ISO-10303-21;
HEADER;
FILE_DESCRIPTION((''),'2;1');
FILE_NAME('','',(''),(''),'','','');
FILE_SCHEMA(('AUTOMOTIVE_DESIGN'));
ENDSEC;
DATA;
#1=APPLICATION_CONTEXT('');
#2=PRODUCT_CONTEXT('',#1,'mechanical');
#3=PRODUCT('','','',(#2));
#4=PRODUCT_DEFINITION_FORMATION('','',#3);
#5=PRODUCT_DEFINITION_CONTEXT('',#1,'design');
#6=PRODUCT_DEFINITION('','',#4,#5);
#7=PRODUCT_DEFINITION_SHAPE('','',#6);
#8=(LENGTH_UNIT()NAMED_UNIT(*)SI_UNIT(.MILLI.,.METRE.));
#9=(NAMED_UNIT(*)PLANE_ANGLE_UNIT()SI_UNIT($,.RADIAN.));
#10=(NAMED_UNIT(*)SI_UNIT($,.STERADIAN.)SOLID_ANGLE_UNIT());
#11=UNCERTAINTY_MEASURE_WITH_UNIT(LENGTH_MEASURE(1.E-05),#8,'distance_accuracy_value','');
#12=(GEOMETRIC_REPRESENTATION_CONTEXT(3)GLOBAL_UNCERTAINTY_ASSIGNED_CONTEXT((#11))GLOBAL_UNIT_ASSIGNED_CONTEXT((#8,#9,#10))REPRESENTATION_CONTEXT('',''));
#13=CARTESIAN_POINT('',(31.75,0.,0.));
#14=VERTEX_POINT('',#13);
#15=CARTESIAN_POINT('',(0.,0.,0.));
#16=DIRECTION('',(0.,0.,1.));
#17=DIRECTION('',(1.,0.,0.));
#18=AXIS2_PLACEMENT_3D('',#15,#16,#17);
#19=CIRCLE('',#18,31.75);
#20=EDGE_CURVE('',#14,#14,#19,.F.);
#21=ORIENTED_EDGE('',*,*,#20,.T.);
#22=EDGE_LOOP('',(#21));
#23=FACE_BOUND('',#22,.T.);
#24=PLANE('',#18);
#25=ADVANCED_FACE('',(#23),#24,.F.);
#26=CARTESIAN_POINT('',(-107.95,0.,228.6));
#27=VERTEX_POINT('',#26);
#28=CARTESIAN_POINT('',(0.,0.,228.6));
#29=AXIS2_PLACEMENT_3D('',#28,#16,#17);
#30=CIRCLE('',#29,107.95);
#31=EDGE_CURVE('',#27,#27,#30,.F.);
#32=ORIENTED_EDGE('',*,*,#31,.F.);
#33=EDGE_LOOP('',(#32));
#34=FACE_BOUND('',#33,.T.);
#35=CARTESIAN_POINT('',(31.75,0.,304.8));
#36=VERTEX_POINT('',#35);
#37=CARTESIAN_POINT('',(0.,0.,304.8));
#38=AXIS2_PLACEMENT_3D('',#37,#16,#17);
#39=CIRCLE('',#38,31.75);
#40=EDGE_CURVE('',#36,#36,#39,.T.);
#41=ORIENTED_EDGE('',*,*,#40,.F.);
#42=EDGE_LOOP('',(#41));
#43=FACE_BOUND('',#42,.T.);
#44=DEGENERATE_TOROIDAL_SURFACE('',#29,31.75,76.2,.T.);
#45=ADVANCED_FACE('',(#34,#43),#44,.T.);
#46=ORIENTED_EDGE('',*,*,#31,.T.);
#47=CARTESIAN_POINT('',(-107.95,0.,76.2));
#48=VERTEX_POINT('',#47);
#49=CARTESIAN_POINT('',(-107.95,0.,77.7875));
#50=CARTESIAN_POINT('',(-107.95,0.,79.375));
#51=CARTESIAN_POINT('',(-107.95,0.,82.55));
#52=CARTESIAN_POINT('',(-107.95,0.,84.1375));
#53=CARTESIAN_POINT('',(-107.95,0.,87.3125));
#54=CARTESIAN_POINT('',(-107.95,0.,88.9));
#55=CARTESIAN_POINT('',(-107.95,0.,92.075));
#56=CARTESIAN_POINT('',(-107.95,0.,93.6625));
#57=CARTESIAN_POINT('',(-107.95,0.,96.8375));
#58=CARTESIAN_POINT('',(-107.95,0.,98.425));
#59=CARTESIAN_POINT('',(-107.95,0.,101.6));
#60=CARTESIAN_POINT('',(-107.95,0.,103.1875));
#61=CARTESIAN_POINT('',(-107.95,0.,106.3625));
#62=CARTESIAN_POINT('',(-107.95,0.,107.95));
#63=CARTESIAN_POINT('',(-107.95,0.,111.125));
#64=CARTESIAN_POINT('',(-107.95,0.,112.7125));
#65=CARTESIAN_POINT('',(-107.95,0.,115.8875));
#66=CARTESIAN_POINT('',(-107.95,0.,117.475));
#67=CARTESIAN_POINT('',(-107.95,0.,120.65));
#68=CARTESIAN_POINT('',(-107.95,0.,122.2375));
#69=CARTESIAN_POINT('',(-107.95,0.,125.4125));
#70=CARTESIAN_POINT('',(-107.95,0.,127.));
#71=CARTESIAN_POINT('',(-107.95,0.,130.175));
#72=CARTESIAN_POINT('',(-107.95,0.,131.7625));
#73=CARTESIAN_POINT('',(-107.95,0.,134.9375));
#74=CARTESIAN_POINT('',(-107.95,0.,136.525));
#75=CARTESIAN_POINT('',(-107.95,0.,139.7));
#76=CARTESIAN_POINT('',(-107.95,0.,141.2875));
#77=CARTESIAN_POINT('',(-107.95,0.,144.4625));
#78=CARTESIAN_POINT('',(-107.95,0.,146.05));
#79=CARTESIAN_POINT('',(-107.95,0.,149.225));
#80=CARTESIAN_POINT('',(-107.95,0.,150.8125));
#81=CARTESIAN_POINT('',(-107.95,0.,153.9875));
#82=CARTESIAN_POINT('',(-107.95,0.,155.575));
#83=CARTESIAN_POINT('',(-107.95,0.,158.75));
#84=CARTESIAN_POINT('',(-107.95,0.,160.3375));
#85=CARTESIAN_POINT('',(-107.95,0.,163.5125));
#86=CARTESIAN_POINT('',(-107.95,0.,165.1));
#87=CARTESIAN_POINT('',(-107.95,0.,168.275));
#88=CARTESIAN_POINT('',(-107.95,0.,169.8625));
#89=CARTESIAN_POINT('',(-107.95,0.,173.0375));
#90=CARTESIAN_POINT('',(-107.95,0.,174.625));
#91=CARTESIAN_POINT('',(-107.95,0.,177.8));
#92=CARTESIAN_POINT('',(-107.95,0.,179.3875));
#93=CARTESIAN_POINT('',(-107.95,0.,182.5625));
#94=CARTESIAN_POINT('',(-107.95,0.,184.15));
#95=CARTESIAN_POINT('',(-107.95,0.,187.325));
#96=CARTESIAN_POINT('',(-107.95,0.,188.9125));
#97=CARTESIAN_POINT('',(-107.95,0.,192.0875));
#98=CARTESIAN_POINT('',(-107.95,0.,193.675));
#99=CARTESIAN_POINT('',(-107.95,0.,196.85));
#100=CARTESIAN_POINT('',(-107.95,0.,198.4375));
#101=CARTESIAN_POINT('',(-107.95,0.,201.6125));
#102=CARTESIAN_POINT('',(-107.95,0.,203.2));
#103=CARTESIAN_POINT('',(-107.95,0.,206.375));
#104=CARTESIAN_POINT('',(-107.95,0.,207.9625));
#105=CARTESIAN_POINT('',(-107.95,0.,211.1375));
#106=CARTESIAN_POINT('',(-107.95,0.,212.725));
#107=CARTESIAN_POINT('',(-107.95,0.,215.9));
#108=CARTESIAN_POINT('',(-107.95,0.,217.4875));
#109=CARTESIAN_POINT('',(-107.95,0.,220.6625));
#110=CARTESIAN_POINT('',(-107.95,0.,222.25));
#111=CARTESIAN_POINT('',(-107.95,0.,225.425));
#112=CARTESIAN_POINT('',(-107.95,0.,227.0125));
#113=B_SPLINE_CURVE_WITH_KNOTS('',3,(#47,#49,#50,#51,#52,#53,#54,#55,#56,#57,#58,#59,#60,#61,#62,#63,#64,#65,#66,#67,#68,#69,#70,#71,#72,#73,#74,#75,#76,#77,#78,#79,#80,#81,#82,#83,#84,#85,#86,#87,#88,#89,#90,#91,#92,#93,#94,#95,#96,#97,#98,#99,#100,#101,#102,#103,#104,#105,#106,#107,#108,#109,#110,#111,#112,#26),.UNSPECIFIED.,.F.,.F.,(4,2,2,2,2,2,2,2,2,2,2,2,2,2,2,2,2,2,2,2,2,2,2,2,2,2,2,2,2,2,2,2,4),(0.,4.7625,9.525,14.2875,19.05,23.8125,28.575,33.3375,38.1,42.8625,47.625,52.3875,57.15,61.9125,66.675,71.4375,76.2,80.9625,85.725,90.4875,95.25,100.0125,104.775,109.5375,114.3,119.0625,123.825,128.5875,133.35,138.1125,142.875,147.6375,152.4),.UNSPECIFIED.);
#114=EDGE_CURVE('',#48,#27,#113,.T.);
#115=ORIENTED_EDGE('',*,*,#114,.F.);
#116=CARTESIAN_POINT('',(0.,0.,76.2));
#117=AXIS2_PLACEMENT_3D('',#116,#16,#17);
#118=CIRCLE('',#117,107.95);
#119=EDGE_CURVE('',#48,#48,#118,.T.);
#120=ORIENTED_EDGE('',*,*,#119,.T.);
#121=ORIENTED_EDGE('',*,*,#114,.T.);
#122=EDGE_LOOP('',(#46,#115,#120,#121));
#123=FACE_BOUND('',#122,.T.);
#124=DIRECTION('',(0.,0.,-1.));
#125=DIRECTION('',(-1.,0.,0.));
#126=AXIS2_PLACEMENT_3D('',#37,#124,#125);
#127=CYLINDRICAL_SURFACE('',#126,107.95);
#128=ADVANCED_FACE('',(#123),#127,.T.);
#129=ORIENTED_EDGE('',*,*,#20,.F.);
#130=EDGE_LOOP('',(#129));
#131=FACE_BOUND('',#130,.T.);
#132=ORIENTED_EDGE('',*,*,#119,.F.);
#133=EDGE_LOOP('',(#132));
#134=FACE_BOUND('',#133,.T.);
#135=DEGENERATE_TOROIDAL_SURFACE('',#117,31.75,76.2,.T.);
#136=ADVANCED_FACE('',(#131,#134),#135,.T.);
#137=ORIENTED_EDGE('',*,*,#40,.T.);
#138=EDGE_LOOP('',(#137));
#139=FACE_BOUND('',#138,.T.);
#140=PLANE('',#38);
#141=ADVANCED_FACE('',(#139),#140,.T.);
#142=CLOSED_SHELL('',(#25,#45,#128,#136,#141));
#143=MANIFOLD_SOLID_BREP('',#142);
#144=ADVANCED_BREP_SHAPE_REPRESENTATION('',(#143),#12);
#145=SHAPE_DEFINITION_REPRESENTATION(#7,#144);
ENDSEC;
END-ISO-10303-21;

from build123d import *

# Parameters (mm, degrees)
SKETCH1_R           = 107.95
BOSS_EXTRUDE1_DEPTH = 304.8
FILLET1_R           = 76.2


with BuildPart() as part:
    # Sketch1 → Boss-Extrude1 (new body)
    with BuildSketch(Plane.XY):
        with Locations(Location((0, 0, 0), (0, 0, 180))):
            Circle(SKETCH1_R)
    extrude(amount=BOSS_EXTRUDE1_DEPTH)

    # Fillet1
    fillet1_edges = [part.edges().sort_by_distance(p)[0] for p in [
        (107.95, 0, 0),
        (107.95, 0, 304.8),
    ]]
    fillet(fillet1_edges, radius=FILLET1_R)


solid = part.part
